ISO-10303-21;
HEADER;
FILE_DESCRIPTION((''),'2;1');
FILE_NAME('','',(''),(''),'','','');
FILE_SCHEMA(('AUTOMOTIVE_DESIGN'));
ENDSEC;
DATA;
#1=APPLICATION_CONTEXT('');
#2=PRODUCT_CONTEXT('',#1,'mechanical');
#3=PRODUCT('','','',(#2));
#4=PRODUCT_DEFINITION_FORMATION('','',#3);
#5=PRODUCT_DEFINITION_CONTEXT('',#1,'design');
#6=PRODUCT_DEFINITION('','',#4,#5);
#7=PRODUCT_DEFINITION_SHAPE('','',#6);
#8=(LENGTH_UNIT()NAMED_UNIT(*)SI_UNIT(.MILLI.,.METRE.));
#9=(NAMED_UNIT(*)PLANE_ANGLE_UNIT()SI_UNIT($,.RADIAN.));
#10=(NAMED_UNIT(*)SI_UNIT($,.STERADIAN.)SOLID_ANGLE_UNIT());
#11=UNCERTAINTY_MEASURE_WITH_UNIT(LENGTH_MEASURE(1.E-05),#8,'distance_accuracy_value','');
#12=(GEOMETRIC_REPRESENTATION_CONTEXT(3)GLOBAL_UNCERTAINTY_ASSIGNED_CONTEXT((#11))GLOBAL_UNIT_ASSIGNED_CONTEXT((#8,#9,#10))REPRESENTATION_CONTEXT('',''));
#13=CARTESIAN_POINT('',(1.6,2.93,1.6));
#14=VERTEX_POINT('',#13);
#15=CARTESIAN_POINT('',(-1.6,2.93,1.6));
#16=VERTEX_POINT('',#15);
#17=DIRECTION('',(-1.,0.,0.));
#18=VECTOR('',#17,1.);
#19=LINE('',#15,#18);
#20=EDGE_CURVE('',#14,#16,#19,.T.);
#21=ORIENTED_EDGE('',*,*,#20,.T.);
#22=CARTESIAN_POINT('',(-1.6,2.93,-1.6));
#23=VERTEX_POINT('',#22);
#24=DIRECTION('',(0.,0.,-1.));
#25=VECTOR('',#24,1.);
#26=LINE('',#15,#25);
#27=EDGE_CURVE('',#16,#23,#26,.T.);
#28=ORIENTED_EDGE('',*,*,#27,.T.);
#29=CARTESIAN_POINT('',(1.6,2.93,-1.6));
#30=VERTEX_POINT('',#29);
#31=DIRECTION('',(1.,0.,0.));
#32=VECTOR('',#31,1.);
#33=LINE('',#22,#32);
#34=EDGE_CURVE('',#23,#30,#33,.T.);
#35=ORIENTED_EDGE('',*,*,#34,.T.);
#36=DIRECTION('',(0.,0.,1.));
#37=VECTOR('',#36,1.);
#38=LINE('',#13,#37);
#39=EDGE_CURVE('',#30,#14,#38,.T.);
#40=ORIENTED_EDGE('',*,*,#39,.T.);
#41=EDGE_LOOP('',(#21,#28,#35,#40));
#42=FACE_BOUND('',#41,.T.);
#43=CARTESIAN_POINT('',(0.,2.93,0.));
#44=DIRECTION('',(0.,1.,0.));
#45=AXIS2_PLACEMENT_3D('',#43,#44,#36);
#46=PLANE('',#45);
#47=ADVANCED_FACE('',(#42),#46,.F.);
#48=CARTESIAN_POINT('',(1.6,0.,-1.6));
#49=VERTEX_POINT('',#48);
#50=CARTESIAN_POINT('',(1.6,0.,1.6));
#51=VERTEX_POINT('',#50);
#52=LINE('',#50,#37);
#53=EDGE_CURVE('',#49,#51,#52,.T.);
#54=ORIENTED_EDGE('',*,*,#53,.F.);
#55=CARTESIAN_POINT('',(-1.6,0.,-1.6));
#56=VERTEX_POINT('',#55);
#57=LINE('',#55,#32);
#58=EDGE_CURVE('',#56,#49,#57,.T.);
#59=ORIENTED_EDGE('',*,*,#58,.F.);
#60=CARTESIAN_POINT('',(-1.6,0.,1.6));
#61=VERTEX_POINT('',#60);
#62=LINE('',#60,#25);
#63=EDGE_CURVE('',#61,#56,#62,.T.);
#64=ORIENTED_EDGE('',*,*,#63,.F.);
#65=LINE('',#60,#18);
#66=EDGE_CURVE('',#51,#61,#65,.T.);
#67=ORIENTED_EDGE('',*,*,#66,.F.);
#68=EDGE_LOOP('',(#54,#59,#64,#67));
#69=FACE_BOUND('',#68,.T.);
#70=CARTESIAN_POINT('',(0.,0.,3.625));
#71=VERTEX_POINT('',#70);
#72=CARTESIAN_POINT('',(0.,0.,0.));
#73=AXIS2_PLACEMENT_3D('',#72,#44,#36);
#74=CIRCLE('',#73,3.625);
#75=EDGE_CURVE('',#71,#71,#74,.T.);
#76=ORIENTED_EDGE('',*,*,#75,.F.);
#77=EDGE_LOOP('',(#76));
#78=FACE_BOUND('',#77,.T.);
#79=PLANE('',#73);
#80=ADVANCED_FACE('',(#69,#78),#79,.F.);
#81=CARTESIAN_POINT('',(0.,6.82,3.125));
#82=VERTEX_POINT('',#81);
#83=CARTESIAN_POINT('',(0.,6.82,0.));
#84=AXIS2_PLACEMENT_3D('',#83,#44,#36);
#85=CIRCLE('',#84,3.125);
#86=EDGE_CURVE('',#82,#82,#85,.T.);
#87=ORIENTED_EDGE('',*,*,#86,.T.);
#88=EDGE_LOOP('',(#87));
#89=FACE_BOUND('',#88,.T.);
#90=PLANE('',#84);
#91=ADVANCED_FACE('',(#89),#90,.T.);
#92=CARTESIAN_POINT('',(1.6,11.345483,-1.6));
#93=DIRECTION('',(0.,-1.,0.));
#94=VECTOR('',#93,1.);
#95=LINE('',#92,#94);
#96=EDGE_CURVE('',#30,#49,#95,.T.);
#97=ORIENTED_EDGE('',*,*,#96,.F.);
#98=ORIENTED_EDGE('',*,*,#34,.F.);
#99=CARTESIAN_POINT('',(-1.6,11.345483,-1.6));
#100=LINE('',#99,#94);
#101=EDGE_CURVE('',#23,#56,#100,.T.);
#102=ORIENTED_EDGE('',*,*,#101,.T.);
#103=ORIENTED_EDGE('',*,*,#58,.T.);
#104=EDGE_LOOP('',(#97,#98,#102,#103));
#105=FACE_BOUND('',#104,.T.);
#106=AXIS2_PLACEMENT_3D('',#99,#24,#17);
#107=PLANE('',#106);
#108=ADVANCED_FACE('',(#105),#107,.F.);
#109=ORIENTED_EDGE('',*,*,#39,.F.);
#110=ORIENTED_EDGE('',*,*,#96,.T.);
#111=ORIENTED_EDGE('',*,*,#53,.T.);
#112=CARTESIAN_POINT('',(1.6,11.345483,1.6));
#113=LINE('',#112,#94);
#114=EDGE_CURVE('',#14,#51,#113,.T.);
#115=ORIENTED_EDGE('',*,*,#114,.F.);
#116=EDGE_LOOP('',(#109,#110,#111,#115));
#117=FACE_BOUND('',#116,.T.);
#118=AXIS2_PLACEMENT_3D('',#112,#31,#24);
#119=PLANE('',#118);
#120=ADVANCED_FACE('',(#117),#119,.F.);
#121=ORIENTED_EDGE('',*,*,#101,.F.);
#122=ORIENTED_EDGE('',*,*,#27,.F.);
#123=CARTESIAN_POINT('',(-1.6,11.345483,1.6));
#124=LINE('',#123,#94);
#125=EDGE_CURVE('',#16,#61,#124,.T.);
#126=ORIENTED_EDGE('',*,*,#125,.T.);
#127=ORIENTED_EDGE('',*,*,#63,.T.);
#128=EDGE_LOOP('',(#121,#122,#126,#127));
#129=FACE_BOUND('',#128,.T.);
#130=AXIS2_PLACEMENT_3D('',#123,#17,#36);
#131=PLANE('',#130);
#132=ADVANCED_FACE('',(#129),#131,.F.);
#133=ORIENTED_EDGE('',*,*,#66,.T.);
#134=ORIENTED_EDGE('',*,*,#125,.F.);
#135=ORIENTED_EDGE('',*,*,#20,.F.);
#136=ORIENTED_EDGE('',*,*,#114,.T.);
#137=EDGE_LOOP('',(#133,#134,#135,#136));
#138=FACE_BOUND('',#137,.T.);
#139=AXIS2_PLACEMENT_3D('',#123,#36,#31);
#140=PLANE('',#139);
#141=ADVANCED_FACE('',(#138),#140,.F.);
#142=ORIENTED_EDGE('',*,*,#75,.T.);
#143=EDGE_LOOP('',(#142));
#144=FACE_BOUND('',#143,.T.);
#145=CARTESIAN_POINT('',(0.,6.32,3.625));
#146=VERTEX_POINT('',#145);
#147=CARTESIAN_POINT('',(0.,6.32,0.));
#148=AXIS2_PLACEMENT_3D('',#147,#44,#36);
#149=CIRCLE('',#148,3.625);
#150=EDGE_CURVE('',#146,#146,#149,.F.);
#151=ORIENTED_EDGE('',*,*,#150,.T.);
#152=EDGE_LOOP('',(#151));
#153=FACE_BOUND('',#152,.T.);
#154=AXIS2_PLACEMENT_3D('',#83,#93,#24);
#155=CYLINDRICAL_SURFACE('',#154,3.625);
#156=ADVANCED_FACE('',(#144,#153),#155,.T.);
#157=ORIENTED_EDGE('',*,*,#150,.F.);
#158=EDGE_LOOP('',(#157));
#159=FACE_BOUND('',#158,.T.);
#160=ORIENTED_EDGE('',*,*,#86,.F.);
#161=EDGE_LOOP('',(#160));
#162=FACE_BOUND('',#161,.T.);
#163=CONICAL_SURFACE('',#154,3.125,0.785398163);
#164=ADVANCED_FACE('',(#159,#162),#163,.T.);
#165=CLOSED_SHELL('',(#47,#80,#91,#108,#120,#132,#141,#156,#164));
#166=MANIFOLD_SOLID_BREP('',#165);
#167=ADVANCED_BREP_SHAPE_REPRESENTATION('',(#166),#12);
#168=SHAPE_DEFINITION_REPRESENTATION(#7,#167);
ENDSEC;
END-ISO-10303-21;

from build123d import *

# Parameters (mm, degrees)
SKETCH1_R           = 3.625
BOSS_EXTRUDE1_DEPTH = 6.82
CHAMFER1_SIZE       = 0.5
SKETCH2_W           = 3.2
SKETCH2_H           = 3.2
CUT_EXTRUDE1_DEPTH  = 2.93


with BuildPart() as part:
    # Sketch1 → Boss-Extrude1 (new body)
    with BuildSketch(Plane(origin=(0, 0, 0), x_dir=(1, 0, 0), z_dir=(0, 1, 0))):
        Circle(SKETCH1_R)
    extrude(amount=BOSS_EXTRUDE1_DEPTH)

    # Chamfer1
    chamfer1_edges = [part.edges().sort_by_distance(p)[0] for p in [
        (-3.625, 6.82, 0),
    ]]
    chamfer(chamfer1_edges, length=CHAMFER1_SIZE)

    # Sketch2 → Cut-Extrude1 (cut)
    with BuildSketch(Plane.XZ):
        Rectangle(SKETCH2_W, SKETCH2_H)
    extrude(amount=-CUT_EXTRUDE1_DEPTH, mode=Mode.SUBTRACT)


solid = part.part
